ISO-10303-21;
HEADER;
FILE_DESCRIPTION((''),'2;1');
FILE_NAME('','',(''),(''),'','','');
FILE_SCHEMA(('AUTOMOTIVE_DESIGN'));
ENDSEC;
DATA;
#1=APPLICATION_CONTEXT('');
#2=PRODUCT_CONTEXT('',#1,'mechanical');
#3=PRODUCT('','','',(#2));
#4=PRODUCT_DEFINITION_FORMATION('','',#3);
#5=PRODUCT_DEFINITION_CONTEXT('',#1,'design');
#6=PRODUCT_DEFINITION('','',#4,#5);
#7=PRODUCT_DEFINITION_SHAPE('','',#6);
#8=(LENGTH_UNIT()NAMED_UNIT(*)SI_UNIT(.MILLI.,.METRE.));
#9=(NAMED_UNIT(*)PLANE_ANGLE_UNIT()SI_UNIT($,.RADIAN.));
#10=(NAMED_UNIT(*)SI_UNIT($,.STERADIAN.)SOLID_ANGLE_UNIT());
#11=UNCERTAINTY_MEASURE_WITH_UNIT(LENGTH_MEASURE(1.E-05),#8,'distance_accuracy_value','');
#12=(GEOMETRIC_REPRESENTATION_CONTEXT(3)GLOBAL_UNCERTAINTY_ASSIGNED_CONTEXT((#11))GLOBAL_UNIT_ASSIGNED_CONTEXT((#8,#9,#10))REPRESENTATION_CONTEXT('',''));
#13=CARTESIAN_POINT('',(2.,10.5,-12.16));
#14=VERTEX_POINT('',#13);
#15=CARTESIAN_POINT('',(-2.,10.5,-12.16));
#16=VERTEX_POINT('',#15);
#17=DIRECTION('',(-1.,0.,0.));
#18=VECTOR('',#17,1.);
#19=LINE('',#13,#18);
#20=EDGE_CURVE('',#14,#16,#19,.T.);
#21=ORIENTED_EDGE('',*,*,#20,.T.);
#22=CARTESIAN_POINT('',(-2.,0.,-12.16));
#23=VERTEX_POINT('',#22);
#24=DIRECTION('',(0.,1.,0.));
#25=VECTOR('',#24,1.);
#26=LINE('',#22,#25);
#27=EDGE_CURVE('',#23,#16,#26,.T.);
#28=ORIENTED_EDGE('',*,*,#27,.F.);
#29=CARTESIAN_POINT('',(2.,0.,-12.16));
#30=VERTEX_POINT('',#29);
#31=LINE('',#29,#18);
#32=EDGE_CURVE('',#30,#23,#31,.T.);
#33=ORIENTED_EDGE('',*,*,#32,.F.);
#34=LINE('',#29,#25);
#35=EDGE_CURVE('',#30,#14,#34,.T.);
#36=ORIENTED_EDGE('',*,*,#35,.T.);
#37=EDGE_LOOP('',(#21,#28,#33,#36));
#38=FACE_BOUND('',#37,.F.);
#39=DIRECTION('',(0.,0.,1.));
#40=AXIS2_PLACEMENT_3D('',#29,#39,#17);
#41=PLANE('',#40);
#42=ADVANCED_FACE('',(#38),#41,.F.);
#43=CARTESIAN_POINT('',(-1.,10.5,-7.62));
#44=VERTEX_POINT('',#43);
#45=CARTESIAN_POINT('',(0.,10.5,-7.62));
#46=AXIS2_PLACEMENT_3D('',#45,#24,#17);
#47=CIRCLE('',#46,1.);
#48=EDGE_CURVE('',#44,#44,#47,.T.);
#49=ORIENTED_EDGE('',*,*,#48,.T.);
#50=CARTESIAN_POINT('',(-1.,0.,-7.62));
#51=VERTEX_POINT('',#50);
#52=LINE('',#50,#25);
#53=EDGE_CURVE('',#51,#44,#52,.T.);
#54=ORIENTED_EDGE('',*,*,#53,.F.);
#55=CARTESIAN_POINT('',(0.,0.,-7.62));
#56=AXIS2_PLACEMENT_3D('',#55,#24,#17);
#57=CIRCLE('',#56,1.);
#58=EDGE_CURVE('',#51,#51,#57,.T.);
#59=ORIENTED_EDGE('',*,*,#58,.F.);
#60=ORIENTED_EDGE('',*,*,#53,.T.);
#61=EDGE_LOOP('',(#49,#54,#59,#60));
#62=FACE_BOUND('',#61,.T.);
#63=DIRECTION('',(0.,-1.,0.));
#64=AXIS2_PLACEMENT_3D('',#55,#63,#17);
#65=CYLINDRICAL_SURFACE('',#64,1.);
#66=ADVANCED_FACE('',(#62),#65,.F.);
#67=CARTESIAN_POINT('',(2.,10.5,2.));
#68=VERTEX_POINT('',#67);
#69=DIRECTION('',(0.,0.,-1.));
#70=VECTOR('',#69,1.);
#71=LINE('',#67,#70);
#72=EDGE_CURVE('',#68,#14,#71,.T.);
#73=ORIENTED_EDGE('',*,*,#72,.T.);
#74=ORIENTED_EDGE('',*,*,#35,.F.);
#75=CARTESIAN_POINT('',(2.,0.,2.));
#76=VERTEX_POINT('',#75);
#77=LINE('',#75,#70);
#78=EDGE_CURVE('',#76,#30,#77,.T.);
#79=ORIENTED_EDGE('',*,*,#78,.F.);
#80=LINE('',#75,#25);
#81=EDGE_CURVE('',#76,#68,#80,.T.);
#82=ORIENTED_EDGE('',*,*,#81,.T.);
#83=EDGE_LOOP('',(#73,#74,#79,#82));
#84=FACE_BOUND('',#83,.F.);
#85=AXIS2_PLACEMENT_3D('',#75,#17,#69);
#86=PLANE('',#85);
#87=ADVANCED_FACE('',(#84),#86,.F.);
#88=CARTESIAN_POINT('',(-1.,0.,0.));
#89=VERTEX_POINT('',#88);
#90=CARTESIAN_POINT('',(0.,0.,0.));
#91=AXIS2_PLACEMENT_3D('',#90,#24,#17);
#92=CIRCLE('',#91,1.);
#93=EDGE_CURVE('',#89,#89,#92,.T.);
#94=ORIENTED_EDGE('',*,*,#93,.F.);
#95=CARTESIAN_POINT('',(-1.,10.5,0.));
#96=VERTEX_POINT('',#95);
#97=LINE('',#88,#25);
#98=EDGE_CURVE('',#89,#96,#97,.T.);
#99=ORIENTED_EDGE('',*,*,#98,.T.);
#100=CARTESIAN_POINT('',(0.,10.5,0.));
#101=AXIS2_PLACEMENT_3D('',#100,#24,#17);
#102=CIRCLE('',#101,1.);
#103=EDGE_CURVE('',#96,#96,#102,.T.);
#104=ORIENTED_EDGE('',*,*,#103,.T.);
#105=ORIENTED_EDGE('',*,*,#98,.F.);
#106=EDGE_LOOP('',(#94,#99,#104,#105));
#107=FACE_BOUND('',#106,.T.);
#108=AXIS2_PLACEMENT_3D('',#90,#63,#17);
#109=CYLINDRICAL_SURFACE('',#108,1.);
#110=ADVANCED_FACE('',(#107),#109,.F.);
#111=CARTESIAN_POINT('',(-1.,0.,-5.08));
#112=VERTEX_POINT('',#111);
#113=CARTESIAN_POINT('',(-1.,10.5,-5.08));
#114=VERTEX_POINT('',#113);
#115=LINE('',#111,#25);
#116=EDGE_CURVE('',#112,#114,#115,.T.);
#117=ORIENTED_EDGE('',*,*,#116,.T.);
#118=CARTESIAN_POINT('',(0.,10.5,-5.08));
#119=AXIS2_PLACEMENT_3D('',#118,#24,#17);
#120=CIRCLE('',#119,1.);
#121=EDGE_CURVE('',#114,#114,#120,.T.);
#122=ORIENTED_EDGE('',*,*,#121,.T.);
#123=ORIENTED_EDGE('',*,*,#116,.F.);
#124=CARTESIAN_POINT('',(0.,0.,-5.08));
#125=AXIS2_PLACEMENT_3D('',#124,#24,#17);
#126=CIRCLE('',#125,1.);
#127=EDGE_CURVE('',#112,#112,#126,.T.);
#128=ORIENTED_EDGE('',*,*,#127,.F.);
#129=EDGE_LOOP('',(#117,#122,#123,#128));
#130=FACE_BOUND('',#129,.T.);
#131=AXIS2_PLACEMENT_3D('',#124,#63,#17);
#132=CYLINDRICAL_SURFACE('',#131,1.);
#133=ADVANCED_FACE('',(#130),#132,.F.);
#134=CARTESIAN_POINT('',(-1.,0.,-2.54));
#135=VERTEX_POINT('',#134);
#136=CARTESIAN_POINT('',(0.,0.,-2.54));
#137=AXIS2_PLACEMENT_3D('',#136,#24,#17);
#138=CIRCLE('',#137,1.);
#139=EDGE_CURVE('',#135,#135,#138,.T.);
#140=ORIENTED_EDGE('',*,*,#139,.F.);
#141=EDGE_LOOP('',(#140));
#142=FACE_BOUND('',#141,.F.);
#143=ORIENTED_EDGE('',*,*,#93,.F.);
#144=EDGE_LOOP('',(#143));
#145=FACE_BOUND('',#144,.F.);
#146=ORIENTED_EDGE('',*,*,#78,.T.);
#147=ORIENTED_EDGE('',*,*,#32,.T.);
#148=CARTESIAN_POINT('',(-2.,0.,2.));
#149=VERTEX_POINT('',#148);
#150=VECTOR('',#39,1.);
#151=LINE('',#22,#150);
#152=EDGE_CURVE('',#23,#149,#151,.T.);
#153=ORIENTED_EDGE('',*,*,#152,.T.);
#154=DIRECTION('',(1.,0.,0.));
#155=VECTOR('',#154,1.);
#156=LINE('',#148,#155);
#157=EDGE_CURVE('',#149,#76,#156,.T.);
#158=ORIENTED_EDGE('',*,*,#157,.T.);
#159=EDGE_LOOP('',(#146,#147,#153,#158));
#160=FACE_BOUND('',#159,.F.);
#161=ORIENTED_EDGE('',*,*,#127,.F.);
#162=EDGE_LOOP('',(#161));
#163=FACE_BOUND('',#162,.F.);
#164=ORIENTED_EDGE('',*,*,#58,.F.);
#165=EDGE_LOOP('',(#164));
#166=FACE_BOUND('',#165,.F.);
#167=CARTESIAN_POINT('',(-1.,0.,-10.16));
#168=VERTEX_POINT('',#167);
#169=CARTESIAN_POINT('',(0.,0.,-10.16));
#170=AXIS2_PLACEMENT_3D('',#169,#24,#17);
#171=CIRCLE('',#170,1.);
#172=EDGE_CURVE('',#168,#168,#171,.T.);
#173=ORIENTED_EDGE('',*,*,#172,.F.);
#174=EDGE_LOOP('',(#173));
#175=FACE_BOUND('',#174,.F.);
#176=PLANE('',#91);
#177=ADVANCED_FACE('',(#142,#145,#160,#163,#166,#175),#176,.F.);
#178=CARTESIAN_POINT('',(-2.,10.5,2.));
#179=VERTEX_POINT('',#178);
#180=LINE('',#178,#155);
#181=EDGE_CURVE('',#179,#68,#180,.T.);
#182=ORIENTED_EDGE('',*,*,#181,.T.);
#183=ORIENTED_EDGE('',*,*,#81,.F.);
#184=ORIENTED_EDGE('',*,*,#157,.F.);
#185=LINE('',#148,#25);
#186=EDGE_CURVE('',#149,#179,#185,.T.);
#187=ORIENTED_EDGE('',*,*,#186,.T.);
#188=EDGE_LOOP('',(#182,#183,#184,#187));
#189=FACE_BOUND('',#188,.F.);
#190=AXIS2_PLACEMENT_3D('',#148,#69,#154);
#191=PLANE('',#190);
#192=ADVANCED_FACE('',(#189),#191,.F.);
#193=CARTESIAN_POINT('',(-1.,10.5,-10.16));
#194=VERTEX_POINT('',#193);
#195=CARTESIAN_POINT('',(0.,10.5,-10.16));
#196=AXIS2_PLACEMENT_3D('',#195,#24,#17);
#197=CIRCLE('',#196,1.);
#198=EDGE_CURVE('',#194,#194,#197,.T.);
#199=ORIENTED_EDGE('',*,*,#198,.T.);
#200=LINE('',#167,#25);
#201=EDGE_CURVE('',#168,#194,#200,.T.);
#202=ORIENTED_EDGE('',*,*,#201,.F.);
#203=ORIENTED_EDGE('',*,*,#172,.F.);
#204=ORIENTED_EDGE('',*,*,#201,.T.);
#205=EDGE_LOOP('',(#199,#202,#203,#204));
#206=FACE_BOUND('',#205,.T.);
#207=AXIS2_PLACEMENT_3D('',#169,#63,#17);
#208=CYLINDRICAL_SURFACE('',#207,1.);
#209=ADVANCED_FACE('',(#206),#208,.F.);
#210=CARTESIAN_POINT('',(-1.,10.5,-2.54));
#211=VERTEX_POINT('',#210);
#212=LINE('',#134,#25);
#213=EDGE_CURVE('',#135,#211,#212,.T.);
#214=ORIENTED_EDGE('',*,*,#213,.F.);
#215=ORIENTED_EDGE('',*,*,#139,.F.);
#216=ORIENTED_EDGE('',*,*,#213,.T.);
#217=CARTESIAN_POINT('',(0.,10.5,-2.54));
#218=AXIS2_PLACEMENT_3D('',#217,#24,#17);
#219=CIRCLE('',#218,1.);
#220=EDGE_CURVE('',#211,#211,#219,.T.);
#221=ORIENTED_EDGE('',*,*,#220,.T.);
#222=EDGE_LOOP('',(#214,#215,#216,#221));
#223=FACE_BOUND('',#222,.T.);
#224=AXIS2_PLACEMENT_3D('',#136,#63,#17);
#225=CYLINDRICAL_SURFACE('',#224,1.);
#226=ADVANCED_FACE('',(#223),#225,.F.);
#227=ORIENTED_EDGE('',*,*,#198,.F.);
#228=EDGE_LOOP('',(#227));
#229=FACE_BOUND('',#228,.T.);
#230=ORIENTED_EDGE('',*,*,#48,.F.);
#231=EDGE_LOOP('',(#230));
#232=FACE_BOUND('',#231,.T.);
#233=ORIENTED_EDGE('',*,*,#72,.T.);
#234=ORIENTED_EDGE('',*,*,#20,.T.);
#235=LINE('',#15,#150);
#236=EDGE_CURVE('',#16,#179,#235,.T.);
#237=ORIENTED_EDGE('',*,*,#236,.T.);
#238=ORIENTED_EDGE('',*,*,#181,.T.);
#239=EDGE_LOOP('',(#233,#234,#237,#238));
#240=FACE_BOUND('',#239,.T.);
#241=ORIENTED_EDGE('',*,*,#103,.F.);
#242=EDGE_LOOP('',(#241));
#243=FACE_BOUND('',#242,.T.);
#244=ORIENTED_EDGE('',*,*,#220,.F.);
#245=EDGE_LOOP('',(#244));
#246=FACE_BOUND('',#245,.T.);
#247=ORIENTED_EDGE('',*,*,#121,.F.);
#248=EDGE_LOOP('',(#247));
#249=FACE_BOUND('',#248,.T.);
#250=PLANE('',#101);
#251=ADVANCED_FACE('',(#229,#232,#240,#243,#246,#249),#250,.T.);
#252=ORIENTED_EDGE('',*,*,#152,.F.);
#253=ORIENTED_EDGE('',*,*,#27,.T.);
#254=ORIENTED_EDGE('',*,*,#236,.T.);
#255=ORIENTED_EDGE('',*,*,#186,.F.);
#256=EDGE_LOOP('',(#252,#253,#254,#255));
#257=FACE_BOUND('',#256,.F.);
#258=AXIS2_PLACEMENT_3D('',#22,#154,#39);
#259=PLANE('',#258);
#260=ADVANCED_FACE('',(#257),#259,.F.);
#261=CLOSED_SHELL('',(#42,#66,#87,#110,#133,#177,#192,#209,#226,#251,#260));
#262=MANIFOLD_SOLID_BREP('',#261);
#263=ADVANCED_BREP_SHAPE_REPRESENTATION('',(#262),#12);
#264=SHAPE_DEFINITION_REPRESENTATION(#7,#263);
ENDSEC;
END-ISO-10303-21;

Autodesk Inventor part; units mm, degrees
ref_plane "YZ Plane" through (0, 0, 0) normal (1, 0, 0) x (0, 1, 0)
ref_plane "XZ Plane" through (0, 0, 0) normal (0, 1, 0) x (-1, 0, 0)
ref_plane "XY Plane" through (0, 0, 0) normal (0, 0, 1) x (1, 0, 0)
sketch "Sketch1" plane through (0, 0, 0) normal (0, 1, 0) x (-1, 0, 0)
  circle A0 centre (0, 0) radius 1
  line L0 (2, 2) -> (-2, 2)
  line L1 (-2, 2) -> (-2, -12.16)
  line L2 (-2, -12.16) -> (2, -12.16)
  line L3 (2, -12.16) -> (2, 2)
  circle A1 centre (0, -2.54) radius 1
  circle A2 centre (0, -5.08) radius 1
  circle A3 centre (0, -7.62) radius 1
  circle A4 centre (0, -10.16) radius 1
  dimension "d0" = 2
  dimension "d3" = 2.54
  dimension "d8" = 1
  dimension "d9" = 1
  dimension "d10" = 1
  dimension "d11" = 1
extrude "Extrusion1" add sketch "Sketch1" along normal blind 10.5
equation "\"d9\" = d8"
equation "\"d10\" = d8"
equation "\"d11\" = d8"
properties part number "Encoder Header Spacer 2"
